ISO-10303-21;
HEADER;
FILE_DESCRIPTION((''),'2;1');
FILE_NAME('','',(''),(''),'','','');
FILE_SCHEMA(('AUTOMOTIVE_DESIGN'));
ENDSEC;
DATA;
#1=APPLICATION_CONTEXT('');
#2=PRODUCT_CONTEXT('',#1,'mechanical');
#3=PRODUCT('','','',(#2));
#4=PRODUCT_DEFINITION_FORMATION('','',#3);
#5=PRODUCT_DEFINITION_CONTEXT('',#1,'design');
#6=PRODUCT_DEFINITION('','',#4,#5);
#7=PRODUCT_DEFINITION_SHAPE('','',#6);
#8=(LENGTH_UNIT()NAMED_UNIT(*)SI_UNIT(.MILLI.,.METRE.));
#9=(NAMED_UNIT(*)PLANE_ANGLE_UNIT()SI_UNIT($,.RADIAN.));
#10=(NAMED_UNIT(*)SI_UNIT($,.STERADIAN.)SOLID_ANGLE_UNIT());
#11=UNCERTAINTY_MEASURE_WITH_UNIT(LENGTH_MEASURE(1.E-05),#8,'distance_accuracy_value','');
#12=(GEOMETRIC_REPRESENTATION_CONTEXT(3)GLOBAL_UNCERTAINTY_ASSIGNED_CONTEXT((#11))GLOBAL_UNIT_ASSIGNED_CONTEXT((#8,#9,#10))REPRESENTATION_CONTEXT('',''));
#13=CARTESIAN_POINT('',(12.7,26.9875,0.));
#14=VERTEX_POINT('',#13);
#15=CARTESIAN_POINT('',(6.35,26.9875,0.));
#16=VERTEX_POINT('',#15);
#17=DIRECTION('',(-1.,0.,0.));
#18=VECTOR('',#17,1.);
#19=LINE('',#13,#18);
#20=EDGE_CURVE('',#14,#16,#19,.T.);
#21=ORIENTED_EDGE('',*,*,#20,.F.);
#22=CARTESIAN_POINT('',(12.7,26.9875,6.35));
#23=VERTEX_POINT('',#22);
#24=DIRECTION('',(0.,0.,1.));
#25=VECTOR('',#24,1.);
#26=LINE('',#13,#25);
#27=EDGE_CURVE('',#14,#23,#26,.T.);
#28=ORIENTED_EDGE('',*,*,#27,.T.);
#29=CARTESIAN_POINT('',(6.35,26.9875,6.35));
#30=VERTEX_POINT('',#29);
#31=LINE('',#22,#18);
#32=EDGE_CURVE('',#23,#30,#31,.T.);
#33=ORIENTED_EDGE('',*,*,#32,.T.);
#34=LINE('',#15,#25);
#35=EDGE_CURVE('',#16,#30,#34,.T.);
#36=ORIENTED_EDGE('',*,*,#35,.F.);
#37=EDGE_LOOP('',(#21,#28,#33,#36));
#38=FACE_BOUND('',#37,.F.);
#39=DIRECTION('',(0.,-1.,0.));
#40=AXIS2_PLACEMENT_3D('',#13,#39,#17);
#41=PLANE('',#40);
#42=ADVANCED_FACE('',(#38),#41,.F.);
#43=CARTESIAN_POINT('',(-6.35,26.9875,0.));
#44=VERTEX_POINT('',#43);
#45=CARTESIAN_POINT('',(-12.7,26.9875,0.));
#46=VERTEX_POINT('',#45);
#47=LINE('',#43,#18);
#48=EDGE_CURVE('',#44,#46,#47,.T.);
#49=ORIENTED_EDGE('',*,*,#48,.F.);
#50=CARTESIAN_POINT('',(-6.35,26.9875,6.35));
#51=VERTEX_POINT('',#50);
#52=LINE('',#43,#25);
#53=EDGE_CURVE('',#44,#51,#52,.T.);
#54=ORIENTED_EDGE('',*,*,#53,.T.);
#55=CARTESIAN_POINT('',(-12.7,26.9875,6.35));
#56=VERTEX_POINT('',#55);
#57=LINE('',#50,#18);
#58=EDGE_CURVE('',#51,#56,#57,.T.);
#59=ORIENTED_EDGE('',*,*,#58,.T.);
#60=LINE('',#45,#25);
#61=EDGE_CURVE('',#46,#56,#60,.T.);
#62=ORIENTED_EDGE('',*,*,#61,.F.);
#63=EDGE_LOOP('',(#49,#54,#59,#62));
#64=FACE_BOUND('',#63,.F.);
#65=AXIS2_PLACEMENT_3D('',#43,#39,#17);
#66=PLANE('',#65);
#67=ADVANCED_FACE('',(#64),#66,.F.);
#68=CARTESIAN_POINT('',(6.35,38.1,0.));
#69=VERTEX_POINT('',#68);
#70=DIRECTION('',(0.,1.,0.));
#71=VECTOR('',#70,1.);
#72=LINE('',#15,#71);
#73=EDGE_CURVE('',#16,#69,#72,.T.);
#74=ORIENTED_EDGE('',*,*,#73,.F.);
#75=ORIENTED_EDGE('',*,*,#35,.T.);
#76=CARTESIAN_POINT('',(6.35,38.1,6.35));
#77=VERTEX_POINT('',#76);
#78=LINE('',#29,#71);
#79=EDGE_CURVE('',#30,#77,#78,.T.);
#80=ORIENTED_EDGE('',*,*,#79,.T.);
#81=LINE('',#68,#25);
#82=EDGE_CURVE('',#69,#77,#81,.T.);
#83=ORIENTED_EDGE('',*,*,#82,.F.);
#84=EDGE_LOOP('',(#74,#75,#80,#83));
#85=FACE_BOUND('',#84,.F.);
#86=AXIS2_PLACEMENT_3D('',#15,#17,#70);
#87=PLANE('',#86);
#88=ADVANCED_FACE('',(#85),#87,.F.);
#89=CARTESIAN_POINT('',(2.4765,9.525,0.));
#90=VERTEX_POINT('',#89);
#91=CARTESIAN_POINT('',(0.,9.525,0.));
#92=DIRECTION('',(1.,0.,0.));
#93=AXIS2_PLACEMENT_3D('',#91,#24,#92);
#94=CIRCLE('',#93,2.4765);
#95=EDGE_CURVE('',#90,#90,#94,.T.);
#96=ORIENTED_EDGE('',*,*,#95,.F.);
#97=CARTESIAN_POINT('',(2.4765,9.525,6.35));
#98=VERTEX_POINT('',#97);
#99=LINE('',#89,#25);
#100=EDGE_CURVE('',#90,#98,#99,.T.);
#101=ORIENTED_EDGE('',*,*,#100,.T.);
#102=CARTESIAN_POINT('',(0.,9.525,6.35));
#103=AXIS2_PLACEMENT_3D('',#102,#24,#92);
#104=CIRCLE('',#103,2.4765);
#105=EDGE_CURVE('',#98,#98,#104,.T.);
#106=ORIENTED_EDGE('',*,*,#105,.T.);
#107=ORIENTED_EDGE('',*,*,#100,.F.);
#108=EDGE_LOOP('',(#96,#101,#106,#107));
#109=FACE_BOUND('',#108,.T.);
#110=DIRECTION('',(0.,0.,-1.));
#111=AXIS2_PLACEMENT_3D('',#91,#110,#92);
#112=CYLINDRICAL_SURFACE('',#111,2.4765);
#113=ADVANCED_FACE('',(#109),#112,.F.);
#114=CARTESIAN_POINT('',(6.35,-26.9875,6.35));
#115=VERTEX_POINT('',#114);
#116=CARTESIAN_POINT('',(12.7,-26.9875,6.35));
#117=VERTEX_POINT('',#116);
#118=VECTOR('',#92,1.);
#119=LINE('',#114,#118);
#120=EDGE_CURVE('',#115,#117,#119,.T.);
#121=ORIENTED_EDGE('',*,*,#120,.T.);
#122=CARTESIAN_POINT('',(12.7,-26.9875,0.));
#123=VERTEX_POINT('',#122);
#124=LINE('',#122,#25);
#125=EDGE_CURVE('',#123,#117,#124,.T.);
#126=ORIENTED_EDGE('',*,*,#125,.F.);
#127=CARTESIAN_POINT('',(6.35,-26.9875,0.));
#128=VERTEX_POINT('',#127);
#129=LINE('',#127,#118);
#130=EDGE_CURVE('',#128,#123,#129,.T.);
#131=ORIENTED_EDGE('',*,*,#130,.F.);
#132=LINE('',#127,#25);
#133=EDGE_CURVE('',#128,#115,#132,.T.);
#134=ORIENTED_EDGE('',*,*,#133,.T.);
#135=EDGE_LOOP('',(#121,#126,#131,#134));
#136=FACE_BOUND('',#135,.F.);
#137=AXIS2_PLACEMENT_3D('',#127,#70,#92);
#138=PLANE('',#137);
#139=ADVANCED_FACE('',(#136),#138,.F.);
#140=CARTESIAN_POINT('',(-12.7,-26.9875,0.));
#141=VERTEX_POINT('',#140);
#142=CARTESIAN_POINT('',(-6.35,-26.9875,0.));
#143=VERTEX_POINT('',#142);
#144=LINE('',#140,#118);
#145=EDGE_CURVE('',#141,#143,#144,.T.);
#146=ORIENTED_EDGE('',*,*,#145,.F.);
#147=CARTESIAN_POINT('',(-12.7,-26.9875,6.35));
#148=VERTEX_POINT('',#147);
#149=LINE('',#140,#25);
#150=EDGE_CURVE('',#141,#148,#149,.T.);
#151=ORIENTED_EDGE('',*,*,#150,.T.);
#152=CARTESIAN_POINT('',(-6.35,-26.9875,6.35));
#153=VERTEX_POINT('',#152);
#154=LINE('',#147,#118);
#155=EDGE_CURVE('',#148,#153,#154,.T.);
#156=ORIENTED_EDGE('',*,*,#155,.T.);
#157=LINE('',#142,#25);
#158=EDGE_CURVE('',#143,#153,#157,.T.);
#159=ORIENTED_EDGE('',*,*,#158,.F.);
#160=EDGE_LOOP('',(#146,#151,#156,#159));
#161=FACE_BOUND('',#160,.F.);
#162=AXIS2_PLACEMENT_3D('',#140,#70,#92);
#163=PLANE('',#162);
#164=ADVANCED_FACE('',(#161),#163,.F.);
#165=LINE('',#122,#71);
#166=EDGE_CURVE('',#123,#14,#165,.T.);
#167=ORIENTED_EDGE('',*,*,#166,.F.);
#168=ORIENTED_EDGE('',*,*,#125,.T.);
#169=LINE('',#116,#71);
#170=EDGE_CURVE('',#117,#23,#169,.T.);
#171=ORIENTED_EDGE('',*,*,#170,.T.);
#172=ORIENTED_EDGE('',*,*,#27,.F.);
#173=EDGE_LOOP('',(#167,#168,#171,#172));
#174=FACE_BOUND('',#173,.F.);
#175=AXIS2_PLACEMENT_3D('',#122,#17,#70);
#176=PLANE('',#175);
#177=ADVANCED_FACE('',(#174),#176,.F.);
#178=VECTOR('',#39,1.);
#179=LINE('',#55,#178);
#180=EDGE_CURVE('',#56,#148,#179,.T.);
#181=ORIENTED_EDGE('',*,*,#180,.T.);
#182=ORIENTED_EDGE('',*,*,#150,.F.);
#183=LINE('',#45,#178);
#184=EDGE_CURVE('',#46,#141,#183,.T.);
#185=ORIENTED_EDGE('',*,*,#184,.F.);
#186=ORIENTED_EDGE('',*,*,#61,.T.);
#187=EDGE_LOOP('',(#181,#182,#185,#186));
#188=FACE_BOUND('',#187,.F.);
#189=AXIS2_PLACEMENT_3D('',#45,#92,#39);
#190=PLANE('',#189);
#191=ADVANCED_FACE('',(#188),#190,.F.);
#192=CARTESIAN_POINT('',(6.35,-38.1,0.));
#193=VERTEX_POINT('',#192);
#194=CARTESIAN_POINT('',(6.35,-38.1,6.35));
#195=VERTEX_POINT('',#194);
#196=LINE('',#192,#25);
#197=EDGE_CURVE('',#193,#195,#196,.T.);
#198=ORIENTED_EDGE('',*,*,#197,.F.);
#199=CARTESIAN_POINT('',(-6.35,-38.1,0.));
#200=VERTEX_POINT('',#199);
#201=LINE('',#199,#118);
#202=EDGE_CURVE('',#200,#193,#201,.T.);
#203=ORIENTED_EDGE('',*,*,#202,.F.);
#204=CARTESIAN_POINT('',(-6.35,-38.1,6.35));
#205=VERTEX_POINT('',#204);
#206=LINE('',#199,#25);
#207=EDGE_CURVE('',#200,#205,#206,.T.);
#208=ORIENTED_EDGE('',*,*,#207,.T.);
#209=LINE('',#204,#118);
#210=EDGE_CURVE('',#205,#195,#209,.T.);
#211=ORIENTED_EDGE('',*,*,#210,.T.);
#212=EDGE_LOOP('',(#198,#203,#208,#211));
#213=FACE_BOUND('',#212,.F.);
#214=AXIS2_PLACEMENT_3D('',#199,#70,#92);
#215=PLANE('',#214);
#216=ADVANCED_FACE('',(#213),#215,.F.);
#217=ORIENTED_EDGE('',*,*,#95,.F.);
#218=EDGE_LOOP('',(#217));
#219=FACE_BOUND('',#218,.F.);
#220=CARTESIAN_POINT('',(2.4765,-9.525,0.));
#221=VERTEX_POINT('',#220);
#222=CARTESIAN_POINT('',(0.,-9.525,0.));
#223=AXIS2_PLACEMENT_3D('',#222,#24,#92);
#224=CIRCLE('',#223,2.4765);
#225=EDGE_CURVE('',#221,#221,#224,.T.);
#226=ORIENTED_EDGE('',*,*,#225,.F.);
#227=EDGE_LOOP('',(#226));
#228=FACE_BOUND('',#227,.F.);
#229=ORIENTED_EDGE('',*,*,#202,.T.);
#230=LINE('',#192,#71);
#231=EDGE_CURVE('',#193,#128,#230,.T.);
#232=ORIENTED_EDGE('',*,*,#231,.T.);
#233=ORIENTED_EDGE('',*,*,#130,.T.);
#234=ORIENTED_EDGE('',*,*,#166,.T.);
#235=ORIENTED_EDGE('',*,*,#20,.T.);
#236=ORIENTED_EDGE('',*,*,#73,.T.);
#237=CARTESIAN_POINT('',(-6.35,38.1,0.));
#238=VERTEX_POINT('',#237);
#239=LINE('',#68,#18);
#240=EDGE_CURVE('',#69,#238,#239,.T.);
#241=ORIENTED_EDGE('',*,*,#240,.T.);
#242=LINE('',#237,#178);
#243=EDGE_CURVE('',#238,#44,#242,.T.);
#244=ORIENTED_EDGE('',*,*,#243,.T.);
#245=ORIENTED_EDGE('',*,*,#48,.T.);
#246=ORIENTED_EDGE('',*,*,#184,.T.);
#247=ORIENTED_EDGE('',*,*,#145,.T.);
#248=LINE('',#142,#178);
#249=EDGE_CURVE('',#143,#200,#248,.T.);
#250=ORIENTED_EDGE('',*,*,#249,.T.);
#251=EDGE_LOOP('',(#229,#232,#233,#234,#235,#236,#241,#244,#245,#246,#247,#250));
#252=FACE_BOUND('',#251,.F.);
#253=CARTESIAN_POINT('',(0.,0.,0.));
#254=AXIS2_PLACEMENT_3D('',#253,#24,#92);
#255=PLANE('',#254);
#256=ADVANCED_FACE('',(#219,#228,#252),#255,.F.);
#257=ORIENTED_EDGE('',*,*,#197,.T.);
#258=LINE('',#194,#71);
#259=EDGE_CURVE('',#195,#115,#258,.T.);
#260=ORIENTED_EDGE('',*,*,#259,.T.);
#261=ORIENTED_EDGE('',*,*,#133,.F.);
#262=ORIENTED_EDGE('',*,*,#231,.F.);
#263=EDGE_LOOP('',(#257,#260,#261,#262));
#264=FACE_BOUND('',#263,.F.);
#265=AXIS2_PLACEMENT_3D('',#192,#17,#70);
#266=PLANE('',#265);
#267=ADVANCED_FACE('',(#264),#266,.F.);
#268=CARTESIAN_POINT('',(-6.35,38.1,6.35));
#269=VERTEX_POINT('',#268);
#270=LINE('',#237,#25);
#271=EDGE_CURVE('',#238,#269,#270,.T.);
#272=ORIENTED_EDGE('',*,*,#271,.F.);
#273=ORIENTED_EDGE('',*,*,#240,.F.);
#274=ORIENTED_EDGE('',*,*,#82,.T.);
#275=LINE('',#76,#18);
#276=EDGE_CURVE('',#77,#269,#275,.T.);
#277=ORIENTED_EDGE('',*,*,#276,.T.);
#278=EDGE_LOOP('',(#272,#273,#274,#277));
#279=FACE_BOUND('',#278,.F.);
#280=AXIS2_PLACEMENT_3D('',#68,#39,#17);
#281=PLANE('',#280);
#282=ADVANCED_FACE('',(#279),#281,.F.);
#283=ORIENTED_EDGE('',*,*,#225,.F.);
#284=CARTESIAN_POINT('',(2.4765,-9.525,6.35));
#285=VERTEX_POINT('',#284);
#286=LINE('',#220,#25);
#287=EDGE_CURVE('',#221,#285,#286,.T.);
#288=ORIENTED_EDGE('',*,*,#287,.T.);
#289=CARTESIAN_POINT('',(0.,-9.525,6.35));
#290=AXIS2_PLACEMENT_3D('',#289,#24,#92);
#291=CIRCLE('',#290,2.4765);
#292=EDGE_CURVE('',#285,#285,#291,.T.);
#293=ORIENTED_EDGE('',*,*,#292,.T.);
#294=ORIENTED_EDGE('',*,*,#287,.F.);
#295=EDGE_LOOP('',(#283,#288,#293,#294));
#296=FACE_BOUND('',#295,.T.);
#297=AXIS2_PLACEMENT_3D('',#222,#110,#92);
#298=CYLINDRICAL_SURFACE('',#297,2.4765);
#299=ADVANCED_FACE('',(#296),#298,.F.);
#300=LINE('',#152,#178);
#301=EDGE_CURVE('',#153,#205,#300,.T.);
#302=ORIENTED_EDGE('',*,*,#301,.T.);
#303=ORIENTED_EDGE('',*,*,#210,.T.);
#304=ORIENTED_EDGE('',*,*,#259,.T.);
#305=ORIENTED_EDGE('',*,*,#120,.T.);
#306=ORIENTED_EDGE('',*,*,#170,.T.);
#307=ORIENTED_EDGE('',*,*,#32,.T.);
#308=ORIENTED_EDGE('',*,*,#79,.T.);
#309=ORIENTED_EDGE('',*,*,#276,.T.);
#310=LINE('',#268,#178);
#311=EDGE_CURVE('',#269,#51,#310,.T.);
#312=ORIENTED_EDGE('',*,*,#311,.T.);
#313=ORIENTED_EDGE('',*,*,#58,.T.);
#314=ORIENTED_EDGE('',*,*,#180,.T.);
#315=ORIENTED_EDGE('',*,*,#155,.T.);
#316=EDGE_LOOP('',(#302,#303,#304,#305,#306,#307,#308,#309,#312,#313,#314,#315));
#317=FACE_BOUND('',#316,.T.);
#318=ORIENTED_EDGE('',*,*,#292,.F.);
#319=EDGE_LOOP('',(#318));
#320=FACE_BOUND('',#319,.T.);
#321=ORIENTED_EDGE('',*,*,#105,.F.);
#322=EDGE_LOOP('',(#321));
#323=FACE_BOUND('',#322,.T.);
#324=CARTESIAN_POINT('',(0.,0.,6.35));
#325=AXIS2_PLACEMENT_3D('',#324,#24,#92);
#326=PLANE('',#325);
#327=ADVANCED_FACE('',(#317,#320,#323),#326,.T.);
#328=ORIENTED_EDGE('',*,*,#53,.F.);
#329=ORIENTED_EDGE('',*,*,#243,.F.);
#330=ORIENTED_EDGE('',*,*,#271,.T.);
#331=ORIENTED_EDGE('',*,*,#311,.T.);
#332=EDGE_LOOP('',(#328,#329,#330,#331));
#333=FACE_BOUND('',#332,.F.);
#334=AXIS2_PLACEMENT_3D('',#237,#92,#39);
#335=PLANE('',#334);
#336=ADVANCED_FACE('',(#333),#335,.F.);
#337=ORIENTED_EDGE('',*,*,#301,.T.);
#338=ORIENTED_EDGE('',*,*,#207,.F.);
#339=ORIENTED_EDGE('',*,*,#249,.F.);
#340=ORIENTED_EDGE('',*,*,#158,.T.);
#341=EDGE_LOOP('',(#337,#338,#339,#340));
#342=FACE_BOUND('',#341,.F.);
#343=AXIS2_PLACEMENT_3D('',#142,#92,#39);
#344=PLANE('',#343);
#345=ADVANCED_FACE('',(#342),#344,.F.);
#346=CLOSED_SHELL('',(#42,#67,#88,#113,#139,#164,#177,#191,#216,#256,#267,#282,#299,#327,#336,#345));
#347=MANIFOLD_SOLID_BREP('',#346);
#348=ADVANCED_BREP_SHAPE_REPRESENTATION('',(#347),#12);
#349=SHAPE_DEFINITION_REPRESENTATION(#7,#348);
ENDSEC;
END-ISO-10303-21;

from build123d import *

# Parameters (mm, degrees)
F0_R     = 2.4765
F1_DEPTH = 6.35


with BuildPart() as f1:
    # F0 (on Top) → F1 (new body)
    with BuildSketch(Plane.XY):
        Polygon((6.35, -26.9875), (12.7, -26.9875), (12.7, 26.9875), (6.35, 26.9875), (6.35, 38.1), (-6.35, 38.1), (-6.35, 26.9875), (-12.7, 26.9875), (-12.7, -26.9875), (-6.35, -26.9875), (-6.35, -38.1), (6.35, -38.1), align=None)
        with Locations((0, -9.525)):
            Circle(F0_R, mode=Mode.SUBTRACT)
        with Locations((0, 9.525)):
            Circle(F0_R, mode=Mode.SUBTRACT)
    extrude(amount=F1_DEPTH)


solid = f1.part
